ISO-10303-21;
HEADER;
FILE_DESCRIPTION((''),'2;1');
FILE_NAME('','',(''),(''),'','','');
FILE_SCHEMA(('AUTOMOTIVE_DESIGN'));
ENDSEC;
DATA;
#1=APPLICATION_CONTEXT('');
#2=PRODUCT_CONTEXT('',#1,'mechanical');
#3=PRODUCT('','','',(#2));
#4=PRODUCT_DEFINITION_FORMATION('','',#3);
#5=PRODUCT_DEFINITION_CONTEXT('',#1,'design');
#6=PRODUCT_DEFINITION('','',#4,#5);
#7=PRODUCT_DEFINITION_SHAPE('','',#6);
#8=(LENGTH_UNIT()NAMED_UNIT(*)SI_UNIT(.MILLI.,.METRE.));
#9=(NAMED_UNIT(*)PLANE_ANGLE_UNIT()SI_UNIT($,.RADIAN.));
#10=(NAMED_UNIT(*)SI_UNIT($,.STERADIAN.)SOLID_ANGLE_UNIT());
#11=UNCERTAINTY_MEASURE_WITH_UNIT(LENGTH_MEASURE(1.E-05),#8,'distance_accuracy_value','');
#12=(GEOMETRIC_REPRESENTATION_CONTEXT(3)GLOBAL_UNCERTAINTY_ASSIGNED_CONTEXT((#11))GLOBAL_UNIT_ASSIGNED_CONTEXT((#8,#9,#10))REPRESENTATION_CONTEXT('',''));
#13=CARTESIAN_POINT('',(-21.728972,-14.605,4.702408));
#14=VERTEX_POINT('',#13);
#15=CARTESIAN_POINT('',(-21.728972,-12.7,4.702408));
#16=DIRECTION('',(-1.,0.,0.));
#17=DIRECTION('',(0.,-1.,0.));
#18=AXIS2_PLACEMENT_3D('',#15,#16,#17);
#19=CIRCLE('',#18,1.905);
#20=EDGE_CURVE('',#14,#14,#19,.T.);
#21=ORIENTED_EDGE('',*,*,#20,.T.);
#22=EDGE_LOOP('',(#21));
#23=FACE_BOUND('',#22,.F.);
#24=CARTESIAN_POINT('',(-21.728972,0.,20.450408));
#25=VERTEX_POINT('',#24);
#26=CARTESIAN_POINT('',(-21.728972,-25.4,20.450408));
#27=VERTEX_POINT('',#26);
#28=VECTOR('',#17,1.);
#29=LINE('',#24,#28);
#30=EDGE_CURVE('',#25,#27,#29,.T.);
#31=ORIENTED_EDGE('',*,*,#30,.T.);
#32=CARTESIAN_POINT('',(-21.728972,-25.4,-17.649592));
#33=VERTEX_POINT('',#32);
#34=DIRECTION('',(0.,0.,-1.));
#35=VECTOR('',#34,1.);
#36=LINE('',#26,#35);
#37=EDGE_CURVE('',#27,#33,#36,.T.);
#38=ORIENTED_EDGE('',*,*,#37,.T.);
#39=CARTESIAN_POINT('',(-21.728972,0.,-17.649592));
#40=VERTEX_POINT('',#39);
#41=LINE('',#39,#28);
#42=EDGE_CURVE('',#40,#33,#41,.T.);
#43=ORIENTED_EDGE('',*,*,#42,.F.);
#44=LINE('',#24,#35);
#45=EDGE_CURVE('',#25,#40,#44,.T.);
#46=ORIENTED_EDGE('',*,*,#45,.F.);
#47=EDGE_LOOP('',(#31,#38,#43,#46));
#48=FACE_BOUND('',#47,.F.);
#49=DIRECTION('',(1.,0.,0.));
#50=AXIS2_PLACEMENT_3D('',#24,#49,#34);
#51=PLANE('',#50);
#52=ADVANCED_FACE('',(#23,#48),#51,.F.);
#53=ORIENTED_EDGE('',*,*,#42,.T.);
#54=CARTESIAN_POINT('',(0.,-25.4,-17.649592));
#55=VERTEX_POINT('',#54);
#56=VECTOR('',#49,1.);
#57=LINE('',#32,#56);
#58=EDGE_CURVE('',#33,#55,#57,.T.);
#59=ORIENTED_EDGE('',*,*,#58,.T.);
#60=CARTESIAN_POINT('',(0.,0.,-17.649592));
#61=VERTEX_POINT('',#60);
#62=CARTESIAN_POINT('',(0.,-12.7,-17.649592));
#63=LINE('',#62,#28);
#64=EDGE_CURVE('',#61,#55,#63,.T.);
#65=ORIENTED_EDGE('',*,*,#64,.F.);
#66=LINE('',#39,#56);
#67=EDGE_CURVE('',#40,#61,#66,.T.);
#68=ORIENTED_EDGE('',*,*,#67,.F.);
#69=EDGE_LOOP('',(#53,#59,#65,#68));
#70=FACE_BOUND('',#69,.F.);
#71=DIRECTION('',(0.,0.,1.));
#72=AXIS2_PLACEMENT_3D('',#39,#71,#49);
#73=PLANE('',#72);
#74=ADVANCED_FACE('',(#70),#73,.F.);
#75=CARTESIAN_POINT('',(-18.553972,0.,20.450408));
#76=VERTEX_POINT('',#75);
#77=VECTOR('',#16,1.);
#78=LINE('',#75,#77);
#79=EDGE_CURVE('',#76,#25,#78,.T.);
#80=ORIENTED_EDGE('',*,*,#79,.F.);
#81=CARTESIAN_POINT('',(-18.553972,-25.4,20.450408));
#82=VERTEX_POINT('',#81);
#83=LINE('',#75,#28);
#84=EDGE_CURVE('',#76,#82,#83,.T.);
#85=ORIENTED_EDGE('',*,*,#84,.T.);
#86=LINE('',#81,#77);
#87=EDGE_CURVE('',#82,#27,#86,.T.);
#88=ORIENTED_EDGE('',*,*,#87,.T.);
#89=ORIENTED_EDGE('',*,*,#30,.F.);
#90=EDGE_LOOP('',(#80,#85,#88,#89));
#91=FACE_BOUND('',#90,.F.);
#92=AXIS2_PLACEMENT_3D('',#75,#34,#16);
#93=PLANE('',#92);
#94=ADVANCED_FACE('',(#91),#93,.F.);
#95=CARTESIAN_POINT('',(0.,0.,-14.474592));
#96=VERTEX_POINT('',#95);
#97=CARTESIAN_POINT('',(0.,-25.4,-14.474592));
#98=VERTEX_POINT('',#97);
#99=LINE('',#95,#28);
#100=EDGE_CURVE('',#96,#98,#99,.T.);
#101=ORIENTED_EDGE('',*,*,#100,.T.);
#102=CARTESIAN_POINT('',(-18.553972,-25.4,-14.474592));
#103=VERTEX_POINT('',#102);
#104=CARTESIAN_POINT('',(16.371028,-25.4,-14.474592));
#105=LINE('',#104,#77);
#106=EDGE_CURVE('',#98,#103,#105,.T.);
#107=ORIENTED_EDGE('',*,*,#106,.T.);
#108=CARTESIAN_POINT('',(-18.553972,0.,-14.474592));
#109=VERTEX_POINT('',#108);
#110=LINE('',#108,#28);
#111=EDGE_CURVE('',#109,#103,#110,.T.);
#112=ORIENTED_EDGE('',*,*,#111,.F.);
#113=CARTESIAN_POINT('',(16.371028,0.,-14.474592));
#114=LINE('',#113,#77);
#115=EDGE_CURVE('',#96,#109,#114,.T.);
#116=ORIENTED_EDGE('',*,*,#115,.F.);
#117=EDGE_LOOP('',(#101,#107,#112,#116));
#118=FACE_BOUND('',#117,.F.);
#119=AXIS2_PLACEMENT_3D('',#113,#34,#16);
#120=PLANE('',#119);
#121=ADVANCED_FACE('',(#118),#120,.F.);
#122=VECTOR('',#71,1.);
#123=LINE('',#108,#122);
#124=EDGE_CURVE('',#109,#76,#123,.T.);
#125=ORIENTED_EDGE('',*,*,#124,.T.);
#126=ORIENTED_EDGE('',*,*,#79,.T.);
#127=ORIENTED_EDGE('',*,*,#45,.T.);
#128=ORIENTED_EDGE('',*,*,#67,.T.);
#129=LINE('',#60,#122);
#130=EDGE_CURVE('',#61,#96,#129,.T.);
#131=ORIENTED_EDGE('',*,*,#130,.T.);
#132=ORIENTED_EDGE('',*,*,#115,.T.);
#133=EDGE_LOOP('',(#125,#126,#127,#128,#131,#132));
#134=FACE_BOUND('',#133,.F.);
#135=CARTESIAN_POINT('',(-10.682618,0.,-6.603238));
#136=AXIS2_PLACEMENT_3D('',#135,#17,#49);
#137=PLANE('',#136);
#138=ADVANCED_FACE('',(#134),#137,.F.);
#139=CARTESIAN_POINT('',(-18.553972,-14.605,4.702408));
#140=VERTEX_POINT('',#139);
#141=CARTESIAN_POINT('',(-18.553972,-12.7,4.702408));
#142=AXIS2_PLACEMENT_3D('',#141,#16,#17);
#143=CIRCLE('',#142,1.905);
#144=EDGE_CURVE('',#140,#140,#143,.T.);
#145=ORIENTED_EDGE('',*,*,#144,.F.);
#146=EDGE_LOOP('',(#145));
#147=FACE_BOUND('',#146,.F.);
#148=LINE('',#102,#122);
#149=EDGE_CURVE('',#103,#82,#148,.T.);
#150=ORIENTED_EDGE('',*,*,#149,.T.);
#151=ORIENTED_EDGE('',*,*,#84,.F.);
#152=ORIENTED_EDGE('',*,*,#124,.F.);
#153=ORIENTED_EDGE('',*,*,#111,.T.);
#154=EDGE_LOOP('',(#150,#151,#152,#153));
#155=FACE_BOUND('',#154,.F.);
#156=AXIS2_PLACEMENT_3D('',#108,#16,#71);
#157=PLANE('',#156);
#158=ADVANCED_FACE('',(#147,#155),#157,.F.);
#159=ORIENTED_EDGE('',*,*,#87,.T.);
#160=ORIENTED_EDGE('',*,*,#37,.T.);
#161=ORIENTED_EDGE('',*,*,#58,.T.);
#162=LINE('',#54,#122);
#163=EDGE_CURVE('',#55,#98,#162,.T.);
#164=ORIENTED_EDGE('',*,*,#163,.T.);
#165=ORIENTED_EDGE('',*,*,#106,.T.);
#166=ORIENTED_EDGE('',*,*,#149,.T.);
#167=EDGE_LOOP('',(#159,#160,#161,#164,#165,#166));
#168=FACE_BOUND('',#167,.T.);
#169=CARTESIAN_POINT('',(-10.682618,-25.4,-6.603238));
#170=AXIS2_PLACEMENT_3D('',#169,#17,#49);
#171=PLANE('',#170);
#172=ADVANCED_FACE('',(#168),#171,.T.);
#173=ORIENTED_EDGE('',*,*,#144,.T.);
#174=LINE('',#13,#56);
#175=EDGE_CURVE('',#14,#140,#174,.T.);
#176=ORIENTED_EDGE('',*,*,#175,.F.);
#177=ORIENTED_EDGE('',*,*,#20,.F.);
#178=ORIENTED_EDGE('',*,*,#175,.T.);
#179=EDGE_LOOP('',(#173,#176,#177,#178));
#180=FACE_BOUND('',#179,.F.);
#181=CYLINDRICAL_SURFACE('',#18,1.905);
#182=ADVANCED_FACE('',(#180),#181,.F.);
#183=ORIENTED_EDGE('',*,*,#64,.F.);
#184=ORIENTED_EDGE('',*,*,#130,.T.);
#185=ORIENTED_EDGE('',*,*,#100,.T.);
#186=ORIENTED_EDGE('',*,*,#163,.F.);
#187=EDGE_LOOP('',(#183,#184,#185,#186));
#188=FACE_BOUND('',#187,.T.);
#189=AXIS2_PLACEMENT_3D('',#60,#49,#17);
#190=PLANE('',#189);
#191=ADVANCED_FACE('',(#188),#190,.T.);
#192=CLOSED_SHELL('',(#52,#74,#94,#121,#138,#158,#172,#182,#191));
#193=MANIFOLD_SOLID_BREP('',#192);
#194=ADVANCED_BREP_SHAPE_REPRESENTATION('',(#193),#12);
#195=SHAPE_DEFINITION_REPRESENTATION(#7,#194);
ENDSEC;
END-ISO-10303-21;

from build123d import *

# Parameters (mm, degrees)
F1_DEPTH = 25.4
F2_W     = 16.371028
F2_H     = 25.4
F3_DEPTH = 25.4
F4_R     = 1.905
F5_DEPTH = 25.4


with BuildPart() as f1:
    # F0 (on Front) → F1 (new body)
    with BuildSketch(Plane.XZ):
        Polygon((-18.553972, 20.450408), (-21.728972, 20.450408), (-21.728972, -17.649592), (16.371028, -17.649592), (16.371028, -14.474592), (-18.553972, -14.474592), align=None)
    extrude(amount=F1_DEPTH)

    # F2 (on face) → F3 (cut)
    with BuildSketch(Plane(origin=(0, 0, -17.649592), x_dir=(1, 0, 0), z_dir=(0, 0, -1))):
        with Locations((8.185514, 12.7)):
            Rectangle(F2_W, F2_H)
    extrude(amount=-F3_DEPTH, mode=Mode.SUBTRACT)

    # F4 (on face) → F5 (cut)
    with BuildSketch(Plane(origin=(-21.728972, 0, 0), x_dir=(0, -1, 0), z_dir=(-1, 0, 0))):
        with Locations((12.7, 4.702408)):
            Circle(F4_R)
    extrude(amount=-F5_DEPTH, mode=Mode.SUBTRACT)


solid = f1.part
